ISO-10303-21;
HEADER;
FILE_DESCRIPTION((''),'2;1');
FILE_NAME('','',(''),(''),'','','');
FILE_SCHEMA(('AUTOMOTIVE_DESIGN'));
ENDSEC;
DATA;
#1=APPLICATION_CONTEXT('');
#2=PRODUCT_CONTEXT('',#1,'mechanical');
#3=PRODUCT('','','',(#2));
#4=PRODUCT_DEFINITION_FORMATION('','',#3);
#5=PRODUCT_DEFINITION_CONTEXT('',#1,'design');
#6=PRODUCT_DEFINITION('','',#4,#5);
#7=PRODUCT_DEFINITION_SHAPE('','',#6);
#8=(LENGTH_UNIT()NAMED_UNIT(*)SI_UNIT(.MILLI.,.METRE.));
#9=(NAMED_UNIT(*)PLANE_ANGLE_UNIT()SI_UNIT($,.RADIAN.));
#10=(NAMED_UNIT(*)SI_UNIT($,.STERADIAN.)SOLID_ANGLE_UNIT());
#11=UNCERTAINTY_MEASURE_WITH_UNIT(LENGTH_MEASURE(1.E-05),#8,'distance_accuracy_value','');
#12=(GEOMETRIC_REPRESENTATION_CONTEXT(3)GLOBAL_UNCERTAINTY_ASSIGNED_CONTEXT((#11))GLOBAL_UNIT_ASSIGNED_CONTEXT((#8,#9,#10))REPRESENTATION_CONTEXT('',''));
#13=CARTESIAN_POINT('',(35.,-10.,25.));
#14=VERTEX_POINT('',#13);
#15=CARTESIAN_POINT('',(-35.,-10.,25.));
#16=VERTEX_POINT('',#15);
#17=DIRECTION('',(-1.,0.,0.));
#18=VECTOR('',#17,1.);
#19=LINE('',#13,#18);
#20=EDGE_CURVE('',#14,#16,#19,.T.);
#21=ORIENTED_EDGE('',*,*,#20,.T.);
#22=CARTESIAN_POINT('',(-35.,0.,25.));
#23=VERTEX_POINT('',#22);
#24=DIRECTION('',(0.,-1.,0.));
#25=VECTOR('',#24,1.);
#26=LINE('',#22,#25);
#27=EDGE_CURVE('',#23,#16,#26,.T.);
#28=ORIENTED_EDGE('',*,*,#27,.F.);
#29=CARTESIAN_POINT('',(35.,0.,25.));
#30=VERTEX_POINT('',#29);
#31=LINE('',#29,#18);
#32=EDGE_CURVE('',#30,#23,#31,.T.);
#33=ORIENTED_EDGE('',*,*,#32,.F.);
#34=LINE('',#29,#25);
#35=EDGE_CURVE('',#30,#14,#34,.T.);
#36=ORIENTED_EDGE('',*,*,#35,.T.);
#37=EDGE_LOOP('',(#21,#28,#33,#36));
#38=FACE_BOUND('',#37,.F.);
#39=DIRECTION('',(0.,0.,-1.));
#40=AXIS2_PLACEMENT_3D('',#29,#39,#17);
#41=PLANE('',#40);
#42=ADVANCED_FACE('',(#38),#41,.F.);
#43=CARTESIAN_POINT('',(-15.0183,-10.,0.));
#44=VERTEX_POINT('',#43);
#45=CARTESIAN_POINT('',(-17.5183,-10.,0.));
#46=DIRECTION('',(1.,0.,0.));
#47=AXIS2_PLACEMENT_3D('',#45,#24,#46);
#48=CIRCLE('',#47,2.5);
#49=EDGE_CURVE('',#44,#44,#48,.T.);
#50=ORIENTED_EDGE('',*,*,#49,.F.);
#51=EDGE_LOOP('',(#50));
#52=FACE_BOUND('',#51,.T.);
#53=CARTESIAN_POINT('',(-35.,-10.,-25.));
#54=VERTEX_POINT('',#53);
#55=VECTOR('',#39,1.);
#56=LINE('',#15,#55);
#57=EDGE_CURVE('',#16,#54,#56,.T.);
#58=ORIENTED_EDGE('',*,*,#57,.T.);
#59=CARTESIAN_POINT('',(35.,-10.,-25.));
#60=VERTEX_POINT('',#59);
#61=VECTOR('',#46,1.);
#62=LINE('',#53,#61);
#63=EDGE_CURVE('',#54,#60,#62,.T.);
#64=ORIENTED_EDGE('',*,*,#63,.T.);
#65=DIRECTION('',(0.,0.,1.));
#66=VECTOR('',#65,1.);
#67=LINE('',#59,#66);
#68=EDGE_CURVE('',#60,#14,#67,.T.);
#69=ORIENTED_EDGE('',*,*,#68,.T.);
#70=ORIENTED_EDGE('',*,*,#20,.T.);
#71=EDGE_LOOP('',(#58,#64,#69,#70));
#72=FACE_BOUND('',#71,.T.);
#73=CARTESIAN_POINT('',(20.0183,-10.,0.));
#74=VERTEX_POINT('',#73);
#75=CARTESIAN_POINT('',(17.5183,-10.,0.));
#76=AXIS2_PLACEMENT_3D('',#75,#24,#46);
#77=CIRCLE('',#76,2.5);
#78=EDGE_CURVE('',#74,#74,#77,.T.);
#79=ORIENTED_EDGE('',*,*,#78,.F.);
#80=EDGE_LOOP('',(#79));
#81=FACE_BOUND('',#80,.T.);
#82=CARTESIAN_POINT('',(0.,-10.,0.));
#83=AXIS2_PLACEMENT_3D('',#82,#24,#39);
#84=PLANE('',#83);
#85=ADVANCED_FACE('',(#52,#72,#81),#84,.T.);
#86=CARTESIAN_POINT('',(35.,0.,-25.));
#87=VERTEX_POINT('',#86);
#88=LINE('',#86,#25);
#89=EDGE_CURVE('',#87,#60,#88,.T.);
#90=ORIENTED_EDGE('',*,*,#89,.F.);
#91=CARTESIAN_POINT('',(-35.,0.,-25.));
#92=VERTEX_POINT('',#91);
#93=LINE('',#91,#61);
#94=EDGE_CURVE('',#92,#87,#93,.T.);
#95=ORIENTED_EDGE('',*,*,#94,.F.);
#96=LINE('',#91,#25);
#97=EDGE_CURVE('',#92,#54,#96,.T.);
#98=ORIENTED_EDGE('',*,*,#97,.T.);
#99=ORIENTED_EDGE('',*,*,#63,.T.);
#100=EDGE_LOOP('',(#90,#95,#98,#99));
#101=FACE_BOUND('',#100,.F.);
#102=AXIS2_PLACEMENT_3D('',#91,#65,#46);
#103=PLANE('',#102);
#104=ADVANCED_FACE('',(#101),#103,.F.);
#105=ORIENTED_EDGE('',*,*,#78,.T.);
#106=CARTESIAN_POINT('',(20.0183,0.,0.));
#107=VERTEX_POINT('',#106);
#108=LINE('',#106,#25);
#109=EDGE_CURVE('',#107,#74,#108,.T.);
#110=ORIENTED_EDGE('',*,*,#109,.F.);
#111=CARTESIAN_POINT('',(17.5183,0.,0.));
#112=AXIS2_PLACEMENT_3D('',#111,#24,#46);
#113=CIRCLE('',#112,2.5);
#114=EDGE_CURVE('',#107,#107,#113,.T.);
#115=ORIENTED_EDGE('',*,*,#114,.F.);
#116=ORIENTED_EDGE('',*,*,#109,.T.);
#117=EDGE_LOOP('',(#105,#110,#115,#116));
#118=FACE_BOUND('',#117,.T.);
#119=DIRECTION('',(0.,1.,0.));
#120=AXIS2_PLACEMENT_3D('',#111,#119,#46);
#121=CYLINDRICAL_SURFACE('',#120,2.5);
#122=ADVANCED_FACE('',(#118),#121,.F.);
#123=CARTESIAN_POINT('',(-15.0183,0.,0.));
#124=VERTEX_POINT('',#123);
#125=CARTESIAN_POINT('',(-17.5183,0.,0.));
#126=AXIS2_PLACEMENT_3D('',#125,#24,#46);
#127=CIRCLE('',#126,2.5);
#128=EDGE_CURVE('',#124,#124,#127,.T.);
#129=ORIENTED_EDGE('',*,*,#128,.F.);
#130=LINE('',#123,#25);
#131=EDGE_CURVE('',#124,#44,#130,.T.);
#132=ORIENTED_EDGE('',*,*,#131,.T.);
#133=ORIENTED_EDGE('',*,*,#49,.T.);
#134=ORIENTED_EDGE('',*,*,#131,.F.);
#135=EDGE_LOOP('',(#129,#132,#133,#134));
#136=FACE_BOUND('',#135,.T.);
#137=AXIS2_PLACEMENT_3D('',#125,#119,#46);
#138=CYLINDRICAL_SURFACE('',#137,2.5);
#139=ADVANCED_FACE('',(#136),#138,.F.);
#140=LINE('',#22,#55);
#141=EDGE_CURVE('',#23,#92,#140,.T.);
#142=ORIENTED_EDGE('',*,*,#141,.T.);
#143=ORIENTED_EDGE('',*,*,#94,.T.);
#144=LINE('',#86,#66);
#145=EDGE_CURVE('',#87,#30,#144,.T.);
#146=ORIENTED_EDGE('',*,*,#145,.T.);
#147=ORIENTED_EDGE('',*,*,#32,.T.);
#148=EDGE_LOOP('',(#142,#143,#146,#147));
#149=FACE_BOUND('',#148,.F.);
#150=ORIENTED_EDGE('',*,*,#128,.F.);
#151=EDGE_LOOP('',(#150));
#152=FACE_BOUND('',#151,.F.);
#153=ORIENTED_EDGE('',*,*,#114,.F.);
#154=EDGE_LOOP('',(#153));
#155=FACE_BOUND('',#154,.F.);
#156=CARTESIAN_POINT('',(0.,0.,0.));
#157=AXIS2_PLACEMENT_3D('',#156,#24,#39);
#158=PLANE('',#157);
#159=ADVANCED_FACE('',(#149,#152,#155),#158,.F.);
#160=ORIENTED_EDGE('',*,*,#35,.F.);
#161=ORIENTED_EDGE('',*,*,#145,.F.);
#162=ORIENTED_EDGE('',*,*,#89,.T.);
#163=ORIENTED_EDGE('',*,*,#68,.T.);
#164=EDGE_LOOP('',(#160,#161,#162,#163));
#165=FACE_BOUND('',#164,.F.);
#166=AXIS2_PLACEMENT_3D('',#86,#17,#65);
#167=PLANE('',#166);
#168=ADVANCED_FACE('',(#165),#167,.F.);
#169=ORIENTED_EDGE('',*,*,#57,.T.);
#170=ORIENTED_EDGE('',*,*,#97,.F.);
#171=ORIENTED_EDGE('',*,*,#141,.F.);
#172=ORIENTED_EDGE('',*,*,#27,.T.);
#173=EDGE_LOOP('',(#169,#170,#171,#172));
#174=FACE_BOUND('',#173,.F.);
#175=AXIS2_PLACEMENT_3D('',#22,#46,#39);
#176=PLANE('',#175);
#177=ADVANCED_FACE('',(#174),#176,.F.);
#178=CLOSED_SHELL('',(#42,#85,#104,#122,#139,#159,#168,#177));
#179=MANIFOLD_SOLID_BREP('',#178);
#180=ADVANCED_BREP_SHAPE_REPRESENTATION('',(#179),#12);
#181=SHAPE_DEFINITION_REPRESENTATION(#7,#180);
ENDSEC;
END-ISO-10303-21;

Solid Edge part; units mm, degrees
sketch "Sketch1" plane through (0, 0, 0) normal (0, -1, 0) x (1, 0, 0)
  line L0 (35, 25) -> (-35, 25)
  line L1 (-35, 25) -> (-35, -25)
  line L2 (-35, -25) -> (35, -25)
  line L3 (35, -25) -> (35, 25)
extrude "Protrusion1" add sketch "Sketch1" along normal blind 10
sketch "Sketch2" plane through (0, 0, 0) normal (0, -1, 0) x (1, 0, 0)
  circle A0 centre (-17.5183, 0) radius 2.5
extrude "ExtrudedCutout_3" cut sketch "Sketch2" along normal blind 10
sketch "Sketch3" plane through (0, 0, 0) normal (0, -1, 0) x (1, 0, 0)
  circle A0 centre (17.5183, 0) radius 2.5
extrude "ExtrudedCutout_4" cut sketch "Sketch3" along normal blind 10
